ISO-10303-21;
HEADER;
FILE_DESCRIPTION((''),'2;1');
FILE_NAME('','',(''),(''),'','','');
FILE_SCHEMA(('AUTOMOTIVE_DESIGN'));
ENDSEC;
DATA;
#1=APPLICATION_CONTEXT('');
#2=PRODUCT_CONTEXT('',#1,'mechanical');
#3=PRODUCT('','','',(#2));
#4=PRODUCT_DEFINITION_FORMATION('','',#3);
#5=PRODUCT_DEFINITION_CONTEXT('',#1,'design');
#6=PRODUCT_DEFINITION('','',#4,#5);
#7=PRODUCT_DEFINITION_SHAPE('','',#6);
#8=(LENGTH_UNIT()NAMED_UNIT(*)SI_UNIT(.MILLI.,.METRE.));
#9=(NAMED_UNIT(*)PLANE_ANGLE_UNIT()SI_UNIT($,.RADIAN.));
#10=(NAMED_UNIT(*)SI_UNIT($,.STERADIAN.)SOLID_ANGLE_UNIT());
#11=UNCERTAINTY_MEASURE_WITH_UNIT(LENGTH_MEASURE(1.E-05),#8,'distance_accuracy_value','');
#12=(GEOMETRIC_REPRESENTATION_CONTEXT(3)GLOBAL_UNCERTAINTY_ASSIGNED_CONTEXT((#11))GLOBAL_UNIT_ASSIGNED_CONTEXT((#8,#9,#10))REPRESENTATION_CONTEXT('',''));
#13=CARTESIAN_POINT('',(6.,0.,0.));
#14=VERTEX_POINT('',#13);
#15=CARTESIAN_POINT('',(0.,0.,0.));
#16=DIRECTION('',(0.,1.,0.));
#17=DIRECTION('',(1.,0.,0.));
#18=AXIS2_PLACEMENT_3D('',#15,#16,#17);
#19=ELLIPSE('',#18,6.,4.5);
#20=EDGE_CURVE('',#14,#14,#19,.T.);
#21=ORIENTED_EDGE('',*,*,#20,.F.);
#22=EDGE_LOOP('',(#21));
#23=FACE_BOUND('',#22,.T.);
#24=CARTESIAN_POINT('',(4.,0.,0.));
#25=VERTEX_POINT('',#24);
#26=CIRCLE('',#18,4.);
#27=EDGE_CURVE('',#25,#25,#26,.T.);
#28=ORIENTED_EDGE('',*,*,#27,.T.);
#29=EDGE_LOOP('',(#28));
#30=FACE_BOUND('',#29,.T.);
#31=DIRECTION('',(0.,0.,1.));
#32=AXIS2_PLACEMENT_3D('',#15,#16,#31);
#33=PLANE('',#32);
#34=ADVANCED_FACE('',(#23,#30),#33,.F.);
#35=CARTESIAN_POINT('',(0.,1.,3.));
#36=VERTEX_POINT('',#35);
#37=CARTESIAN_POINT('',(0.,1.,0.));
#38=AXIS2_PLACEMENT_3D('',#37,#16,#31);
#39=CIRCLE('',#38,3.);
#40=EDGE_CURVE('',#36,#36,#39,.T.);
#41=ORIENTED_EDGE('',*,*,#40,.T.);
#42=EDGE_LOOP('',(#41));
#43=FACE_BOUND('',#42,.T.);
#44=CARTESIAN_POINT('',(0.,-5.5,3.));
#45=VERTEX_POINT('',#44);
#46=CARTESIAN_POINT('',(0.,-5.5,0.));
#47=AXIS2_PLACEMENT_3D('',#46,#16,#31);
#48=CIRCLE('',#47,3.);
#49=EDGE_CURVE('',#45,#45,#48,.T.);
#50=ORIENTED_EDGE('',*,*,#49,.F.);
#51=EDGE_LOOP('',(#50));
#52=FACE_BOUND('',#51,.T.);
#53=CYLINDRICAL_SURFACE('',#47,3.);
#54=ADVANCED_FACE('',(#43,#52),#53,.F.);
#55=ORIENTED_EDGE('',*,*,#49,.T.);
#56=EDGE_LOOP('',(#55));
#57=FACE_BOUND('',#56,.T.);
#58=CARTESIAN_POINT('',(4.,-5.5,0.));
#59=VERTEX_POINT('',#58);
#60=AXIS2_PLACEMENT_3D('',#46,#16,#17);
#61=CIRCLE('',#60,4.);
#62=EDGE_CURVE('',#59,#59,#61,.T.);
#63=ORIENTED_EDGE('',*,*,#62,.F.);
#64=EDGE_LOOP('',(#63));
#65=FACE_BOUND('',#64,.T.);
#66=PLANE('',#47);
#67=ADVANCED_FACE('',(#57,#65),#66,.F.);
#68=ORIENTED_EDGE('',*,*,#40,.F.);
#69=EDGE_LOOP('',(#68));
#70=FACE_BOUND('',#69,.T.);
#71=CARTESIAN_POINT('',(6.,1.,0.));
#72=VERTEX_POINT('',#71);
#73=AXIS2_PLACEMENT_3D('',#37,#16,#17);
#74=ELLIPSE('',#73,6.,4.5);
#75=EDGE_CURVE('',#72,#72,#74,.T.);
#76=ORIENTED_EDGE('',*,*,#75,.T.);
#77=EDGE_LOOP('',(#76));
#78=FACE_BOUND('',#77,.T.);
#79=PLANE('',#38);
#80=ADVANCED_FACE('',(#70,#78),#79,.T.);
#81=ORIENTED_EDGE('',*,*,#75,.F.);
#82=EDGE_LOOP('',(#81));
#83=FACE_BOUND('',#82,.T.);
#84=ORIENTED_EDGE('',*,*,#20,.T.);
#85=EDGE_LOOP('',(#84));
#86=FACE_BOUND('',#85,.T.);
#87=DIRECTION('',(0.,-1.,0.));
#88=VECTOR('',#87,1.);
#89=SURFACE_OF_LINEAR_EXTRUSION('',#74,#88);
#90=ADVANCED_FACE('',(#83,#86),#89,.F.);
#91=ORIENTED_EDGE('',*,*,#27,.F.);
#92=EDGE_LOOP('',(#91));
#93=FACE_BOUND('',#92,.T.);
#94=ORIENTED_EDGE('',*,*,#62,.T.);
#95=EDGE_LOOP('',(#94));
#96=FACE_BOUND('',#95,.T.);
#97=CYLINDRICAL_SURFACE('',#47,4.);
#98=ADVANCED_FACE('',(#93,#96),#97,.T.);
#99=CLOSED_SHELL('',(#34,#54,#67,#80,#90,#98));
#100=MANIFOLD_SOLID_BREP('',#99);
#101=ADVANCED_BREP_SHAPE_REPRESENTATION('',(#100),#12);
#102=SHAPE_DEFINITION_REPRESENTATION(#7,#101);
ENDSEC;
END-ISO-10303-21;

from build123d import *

# Parameters (mm, degrees)
SKETCH1_R           = 4
SKETCH1_R_2         = 3
EXTRUDE_THIN1_DEPTH = 5.5
SKETCH2_RX          = 6
SKETCH2_RY          = 4.5
SKETCH2_R           = 3
BOSS_EXTRUDE1_DEPTH = 1


with BuildPart() as part:
    # Sketch1 → Extrude-Thin1 (new body)
    with BuildSketch(Plane(origin=(0, 0, 0), x_dir=(1, 0, 0), z_dir=(0, 1, 0))):
        Circle(SKETCH1_R)
        Circle(SKETCH1_R_2, mode=Mode.SUBTRACT)
    extrude(amount=-EXTRUDE_THIN1_DEPTH)

    # Sketch2 → Boss-Extrude1 (add)
    with BuildSketch(Plane(origin=(0, 0, 0), x_dir=(1, 0, 0), z_dir=(0, 1, 0))):
        with Locations(Location((0, 0), (0, 0, 0))):
            Ellipse(SKETCH2_RX, SKETCH2_RY)
        Circle(SKETCH2_R, mode=Mode.SUBTRACT)
    extrude(amount=BOSS_EXTRUDE1_DEPTH)


solid = part.part
